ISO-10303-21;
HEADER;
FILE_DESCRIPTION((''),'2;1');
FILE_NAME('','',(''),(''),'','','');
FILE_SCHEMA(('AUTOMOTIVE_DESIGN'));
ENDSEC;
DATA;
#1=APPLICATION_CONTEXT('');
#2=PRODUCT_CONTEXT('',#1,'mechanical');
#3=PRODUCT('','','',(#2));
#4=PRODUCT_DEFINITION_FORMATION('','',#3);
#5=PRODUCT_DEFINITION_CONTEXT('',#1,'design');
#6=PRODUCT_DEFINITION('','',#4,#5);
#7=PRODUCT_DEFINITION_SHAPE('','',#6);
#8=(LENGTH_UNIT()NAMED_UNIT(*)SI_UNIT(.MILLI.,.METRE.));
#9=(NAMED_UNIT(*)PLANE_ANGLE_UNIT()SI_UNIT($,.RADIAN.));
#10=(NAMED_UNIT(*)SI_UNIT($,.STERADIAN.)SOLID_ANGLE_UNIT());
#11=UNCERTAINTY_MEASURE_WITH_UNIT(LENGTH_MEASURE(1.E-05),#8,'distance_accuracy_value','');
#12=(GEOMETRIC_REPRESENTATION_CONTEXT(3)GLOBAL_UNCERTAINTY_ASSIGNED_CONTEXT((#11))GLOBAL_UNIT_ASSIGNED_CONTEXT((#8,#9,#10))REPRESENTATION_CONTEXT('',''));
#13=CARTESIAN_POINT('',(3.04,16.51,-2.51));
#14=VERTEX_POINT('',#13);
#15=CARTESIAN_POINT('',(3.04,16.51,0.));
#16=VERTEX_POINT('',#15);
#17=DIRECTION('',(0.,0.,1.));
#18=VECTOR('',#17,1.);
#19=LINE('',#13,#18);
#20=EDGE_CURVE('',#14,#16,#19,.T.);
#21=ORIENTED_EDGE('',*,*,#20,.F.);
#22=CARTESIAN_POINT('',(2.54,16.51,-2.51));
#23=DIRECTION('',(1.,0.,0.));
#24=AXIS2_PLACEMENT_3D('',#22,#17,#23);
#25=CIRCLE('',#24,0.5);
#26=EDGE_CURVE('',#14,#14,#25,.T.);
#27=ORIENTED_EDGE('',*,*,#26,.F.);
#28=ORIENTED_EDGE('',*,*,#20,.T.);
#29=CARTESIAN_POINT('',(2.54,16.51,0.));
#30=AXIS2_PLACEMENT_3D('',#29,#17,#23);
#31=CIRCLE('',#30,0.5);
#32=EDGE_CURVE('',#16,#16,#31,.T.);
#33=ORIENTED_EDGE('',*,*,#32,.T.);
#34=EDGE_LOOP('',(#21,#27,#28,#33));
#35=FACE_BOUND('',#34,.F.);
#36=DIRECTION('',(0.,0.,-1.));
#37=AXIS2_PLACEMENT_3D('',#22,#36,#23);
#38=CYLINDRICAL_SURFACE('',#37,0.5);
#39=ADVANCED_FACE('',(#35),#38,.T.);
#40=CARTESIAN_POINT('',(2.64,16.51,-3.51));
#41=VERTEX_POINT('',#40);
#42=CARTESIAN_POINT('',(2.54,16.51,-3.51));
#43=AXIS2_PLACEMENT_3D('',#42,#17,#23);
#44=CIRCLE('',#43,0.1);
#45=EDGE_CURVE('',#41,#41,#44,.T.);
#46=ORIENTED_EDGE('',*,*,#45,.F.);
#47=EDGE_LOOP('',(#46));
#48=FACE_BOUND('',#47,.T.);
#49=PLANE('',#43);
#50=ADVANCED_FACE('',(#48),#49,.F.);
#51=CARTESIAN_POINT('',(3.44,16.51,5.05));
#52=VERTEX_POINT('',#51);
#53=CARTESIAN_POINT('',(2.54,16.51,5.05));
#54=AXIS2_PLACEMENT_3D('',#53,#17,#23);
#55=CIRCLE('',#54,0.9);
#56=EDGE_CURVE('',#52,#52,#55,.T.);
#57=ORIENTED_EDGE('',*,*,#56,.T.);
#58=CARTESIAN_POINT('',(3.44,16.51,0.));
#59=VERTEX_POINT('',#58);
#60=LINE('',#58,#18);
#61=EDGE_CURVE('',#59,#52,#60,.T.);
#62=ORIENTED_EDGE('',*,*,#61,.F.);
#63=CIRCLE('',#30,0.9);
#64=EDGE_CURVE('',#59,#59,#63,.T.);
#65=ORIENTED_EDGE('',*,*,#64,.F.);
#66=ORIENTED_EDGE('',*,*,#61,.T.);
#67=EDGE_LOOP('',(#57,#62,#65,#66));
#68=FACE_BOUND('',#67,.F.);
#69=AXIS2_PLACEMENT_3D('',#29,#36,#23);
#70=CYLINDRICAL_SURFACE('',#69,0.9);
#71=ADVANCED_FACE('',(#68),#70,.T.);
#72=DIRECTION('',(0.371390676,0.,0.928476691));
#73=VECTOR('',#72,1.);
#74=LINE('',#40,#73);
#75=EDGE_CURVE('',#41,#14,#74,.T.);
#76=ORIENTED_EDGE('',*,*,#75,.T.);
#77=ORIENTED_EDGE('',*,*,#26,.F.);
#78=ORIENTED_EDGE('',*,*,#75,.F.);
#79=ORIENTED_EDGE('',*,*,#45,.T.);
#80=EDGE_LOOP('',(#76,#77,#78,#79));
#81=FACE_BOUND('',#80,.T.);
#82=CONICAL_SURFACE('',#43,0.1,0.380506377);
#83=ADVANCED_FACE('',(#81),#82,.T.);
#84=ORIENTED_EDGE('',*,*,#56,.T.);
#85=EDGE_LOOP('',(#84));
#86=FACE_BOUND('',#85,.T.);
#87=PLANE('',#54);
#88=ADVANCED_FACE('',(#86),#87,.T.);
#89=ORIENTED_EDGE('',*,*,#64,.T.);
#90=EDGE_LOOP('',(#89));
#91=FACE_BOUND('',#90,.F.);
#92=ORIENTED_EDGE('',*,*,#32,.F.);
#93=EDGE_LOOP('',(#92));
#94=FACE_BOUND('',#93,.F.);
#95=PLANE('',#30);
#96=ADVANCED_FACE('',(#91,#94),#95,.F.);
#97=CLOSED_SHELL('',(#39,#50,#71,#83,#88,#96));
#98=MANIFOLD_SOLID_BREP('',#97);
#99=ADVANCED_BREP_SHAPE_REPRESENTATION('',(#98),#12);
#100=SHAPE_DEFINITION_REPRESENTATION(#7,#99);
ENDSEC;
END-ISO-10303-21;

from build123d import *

# Parameters (mm, degrees)
CYLINDER001_R     = 0.5
CYLINDER001_DEPTH = 2.51
CYLINDER_R        = 0.9
CYLINDER_DEPTH    = 5.05


with BuildPart() as cylinder001:
    # Cylinder001 → Cylinder001 (new body)
    with BuildSketch(Plane(origin=(2.54, 0, -2.51), x_dir=(1, 0, 0), z_dir=(0, 0, 1))):
        Circle(CYLINDER001_R)
    extrude(amount=CYLINDER001_DEPTH)


with BuildPart() as cone:
    # Cone → Cone (revolve)
    with BuildSketch(Plane(origin=(2.54, 0, -3.51), x_dir=(1, 0, 0), z_dir=(0, -1, 0))):
        Polygon((0, 0), (0.1, 0), (0.5, 1), (0, 1), align=None)
    revolve(axis=Axis((2.54, 0, -3.51), (0, 0, 1)))


with BuildPart() as fusion:
    # Cylinder → Cylinder (new body)
    with BuildSketch(Plane(origin=(2.54, 0, 0), x_dir=(1, 0, 0), z_dir=(0, 0, 1))):
        Circle(CYLINDER_R)
    extrude(amount=CYLINDER_DEPTH)

    # Fusion: union Cylinder001, Cone
    add(cylinder001.part)
    add(cone.part)


with BuildPart() as fusion_1:
    # Fusion placement: moved
    add(fusion.part.moved(Location((0, 16.51, 0))))


solid = fusion_1.part
